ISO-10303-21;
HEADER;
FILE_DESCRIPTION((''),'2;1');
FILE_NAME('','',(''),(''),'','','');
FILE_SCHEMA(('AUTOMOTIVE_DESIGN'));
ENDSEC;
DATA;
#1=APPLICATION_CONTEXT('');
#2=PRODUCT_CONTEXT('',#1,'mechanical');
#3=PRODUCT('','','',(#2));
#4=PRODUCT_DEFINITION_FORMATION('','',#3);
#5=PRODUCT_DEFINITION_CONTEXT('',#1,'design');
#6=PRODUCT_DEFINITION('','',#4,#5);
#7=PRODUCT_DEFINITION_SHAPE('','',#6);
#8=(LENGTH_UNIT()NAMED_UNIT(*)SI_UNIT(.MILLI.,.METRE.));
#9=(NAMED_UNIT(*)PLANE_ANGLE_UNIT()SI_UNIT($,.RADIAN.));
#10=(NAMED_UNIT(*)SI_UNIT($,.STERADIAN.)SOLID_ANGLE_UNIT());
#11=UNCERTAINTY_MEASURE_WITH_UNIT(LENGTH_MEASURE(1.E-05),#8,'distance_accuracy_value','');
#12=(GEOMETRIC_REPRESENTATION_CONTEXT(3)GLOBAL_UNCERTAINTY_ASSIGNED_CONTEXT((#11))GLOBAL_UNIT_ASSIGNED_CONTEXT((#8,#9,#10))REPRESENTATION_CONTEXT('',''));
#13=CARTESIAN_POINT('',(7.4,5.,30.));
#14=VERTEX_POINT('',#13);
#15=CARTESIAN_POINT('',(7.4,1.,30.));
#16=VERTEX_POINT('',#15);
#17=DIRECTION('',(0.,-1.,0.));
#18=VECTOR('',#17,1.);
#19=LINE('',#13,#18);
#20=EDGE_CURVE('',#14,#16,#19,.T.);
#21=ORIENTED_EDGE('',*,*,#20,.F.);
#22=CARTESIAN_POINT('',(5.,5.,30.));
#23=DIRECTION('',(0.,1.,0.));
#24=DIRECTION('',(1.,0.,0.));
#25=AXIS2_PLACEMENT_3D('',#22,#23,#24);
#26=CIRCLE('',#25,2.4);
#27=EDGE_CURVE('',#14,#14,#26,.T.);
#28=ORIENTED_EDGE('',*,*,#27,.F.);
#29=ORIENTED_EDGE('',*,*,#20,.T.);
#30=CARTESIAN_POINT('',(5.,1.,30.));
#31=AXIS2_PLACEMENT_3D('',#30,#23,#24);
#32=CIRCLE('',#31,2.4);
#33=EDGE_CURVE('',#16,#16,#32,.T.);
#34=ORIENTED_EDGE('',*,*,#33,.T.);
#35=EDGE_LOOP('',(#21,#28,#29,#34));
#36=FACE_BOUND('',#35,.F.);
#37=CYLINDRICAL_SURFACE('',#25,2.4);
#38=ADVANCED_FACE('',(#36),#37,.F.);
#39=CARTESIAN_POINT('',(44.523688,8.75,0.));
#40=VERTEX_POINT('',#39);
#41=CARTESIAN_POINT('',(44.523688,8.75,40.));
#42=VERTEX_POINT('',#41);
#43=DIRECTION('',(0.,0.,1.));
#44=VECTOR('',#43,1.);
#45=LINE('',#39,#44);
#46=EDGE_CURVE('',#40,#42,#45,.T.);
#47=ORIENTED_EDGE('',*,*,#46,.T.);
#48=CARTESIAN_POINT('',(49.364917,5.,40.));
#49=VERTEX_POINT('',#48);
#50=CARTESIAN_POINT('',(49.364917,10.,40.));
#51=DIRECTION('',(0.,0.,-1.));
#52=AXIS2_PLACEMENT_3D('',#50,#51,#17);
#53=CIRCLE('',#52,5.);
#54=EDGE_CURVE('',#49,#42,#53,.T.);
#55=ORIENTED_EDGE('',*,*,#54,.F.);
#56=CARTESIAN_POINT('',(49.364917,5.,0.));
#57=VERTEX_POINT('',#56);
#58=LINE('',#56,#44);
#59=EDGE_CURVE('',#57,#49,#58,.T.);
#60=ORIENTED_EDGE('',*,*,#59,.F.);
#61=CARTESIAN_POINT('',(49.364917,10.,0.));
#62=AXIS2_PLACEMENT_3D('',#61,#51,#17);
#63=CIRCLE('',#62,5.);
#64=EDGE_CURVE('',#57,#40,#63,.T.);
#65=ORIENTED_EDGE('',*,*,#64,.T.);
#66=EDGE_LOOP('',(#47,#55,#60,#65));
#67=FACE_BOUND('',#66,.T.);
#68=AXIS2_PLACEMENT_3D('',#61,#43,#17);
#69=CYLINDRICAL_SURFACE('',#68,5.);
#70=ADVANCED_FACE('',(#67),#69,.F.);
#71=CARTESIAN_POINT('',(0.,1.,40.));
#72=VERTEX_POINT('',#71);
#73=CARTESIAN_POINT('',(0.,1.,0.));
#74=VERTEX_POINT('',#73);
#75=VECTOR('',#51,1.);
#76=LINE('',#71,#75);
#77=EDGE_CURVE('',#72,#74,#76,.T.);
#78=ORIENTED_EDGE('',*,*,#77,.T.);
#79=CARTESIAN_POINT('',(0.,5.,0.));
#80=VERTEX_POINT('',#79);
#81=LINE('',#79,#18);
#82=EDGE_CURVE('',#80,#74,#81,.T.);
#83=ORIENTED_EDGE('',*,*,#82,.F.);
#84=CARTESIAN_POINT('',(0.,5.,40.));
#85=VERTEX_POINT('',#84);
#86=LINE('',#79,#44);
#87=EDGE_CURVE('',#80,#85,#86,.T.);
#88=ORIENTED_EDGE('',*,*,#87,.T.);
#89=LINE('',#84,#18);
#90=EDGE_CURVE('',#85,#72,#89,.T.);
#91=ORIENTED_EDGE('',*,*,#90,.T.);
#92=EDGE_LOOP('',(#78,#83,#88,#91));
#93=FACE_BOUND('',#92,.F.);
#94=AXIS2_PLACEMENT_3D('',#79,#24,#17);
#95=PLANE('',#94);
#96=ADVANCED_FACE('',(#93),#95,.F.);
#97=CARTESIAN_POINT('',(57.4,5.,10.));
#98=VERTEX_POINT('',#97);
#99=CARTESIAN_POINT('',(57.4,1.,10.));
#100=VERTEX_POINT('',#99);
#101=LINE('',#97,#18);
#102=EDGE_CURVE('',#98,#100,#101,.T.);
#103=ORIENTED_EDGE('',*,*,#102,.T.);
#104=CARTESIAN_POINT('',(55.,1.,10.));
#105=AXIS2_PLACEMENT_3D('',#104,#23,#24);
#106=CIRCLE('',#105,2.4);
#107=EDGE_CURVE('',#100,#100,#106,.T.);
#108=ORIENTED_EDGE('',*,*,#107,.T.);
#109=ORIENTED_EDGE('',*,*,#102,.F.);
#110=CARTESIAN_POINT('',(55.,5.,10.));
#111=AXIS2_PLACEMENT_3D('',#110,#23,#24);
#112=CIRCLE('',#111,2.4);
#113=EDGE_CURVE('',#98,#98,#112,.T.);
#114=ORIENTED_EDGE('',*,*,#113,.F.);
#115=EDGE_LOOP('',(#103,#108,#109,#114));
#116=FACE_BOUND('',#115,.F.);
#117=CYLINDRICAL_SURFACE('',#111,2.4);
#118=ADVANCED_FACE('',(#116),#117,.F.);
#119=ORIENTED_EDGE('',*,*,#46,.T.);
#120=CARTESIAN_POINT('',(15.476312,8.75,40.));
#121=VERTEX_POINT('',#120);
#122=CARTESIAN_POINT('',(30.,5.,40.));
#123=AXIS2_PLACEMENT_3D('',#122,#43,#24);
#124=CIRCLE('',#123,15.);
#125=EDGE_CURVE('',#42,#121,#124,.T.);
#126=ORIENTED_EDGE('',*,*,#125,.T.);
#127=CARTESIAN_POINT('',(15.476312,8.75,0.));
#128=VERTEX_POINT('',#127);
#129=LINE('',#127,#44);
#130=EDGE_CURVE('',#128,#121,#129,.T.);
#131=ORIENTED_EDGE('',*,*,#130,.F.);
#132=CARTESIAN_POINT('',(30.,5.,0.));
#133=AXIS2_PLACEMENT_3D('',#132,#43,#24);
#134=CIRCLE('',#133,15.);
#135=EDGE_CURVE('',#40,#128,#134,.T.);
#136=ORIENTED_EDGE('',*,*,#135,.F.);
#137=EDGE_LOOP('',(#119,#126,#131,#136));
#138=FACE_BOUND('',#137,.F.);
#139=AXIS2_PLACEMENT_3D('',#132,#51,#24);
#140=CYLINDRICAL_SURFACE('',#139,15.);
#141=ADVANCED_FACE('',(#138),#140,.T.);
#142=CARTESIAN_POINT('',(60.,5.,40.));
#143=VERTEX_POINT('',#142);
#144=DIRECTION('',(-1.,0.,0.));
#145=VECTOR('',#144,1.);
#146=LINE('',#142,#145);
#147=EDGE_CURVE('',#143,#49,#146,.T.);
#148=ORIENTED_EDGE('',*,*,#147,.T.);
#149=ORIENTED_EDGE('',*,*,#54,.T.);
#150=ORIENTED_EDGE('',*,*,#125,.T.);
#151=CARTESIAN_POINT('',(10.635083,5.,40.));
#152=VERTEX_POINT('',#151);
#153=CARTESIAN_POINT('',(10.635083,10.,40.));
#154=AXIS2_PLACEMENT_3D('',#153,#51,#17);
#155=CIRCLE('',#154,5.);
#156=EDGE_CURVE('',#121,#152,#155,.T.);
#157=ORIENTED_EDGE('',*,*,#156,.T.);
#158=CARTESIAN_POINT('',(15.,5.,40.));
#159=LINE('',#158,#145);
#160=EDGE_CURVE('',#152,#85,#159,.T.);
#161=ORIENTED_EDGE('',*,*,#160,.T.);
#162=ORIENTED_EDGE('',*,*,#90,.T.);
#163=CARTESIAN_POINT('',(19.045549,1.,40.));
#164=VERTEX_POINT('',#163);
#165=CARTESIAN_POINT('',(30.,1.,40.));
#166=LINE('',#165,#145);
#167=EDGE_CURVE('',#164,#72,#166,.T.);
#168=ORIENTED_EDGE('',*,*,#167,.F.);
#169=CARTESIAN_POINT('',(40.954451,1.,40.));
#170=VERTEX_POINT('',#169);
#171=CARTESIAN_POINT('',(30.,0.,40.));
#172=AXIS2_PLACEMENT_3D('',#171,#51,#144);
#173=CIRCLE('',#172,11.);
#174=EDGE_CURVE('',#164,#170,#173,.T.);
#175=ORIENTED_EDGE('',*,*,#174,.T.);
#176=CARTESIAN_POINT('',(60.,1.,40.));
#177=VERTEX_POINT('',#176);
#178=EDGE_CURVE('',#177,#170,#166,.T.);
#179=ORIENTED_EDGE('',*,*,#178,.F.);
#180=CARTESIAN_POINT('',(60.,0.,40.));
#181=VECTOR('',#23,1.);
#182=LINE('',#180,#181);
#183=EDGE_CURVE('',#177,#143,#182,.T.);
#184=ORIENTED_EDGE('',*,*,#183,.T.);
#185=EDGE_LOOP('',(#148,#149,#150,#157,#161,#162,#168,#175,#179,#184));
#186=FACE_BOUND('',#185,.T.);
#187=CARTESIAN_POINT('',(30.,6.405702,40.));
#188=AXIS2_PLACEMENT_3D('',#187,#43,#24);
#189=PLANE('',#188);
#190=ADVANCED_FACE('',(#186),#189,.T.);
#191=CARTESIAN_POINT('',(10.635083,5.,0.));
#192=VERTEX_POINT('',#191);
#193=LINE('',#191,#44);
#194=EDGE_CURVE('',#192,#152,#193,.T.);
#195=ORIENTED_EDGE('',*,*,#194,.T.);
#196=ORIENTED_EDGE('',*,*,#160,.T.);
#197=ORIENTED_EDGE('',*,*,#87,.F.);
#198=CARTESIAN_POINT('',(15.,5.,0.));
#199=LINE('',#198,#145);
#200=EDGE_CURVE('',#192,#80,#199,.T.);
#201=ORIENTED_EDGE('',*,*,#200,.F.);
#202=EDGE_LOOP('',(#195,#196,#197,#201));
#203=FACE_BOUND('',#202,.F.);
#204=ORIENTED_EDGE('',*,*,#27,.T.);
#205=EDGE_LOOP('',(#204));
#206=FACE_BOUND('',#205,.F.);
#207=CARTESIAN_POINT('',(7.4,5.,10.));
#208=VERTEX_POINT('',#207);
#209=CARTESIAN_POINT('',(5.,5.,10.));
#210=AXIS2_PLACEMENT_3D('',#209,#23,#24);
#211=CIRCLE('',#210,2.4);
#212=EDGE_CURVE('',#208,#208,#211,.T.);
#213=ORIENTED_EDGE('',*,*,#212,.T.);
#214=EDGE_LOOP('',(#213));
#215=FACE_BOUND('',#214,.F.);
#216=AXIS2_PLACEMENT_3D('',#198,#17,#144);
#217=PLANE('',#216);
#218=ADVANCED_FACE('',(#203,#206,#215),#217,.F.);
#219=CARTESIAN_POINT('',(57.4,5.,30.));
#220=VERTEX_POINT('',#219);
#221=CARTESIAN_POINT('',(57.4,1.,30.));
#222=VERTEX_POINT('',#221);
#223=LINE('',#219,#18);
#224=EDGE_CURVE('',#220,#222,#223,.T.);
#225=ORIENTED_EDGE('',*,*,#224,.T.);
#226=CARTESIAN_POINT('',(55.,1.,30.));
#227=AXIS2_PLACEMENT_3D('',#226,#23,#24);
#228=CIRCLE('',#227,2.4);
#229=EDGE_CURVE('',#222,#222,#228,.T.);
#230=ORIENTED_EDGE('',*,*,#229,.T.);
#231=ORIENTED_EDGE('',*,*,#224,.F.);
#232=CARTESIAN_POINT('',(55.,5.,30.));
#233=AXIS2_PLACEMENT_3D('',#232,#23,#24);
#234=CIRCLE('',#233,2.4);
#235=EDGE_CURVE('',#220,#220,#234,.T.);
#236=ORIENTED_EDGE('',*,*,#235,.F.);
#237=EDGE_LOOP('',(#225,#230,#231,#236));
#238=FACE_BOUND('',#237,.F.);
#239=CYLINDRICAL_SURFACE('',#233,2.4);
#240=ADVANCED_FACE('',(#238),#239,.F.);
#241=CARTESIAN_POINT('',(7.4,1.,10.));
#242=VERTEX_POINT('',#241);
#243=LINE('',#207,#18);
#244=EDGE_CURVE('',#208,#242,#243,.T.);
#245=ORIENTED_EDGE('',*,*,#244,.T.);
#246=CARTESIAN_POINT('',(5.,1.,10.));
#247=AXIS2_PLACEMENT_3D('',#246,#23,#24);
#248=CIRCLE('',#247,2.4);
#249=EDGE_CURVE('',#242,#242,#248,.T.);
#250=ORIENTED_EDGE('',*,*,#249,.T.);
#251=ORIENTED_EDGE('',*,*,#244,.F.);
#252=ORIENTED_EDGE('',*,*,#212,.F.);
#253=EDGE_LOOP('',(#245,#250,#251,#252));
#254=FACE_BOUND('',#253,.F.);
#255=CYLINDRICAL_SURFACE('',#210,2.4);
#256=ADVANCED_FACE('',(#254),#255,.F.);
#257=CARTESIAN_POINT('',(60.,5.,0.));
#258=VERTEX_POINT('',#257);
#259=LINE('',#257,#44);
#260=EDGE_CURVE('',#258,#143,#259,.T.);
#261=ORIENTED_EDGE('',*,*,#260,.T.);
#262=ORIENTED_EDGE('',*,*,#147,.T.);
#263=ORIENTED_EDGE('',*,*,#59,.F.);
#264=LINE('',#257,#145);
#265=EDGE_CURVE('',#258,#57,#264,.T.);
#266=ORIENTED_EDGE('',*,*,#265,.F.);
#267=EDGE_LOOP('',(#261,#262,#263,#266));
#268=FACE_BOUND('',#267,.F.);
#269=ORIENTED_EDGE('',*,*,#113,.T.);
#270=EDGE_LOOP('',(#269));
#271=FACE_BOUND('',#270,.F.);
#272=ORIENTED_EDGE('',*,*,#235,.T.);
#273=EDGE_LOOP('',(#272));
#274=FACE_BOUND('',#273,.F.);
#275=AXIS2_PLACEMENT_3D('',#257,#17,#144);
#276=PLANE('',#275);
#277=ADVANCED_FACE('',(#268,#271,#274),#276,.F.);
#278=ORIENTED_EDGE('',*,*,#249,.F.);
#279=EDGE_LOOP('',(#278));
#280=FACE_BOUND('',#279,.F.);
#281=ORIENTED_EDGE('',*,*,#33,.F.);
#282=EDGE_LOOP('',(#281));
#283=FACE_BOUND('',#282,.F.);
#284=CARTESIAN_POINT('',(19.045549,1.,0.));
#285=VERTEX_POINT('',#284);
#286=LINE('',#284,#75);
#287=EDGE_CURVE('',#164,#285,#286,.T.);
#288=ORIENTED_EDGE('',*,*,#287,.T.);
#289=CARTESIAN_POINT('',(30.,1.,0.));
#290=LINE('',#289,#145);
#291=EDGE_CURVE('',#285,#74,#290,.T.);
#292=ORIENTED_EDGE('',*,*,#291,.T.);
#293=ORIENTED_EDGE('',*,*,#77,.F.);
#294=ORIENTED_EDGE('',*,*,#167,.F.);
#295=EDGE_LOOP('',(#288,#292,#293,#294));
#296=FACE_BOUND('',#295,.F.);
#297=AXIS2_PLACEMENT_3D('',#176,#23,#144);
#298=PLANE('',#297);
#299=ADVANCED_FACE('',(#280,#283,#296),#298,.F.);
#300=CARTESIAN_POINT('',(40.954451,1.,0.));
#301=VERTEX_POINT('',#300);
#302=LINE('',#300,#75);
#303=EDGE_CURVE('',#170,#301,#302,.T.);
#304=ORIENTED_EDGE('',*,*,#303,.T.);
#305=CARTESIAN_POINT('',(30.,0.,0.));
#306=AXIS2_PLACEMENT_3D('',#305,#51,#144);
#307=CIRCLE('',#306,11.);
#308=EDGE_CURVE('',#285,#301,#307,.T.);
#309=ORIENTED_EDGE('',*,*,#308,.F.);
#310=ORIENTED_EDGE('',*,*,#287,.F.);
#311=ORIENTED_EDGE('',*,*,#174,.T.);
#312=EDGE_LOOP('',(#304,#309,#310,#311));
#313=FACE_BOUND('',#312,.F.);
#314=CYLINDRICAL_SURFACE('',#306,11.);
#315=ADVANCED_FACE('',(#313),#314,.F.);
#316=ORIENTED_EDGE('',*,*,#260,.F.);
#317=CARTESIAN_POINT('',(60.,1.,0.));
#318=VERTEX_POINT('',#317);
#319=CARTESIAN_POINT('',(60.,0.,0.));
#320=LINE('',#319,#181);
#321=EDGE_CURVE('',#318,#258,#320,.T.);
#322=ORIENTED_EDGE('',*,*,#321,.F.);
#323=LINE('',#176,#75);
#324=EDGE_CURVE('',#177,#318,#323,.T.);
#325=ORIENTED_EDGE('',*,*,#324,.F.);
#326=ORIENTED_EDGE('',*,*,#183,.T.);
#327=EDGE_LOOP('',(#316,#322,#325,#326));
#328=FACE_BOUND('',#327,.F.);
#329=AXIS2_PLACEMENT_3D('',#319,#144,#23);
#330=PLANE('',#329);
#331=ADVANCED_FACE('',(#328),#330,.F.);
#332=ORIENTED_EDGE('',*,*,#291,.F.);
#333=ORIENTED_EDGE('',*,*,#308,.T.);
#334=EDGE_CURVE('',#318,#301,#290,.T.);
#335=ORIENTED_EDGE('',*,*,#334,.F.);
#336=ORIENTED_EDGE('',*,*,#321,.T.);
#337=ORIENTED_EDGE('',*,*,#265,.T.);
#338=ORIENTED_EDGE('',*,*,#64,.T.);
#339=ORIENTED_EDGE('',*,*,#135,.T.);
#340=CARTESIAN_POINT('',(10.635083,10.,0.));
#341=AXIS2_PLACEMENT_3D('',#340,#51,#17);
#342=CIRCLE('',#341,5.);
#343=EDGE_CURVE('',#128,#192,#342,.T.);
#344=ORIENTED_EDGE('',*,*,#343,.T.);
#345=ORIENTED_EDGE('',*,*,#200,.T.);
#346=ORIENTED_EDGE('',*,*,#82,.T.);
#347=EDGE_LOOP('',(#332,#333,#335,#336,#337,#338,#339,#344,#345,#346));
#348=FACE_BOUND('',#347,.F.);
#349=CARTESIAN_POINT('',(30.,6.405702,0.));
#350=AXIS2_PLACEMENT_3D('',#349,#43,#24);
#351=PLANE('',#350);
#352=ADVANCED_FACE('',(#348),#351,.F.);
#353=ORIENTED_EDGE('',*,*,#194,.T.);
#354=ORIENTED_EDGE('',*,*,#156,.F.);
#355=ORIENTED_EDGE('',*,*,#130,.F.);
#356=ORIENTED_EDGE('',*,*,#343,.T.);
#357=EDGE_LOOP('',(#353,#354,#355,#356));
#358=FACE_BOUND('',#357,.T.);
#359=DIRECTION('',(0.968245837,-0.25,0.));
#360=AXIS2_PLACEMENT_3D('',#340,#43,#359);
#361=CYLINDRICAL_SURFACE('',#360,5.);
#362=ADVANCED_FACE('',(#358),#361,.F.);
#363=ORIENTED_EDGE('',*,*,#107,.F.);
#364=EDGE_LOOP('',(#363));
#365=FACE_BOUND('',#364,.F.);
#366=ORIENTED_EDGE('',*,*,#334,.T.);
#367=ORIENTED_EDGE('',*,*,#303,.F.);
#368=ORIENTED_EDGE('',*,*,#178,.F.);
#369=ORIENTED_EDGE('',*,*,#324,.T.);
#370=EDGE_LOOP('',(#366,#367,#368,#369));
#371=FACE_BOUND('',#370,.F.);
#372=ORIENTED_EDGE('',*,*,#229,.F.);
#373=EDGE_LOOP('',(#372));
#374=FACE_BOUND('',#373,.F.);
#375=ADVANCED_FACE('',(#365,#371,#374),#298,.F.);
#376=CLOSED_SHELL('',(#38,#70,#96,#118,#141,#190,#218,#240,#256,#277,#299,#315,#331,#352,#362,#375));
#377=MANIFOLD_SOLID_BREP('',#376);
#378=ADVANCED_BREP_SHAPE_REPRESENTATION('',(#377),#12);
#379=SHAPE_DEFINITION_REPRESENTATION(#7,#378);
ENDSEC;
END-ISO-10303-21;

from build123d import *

# Parameters (mm, degrees)
MORS_AMOVIBLE_DEPTH     = 40
ESQUISSE2_R             = 2.4
TROU_FIXATION_DEPTH     = 6
CONG_1_R                = 5
ENL_V_START             = -40
ESQUISSE3_W             = 60
ESQUISSE3_H             = 1
ENL_V_MAT_EXTRU_1_DEPTH = 40


with BuildPart() as part:
    # Esquisse1 → mors_amovible (new body)
    with BuildSketch(Plane.XY):
        with BuildLine():
            Line((60, 0), (60, 5))
            Line((60, 5), (45, 5))
            ThreePointArc((45, 5), (30, 20), (15, 5))
            Line((15, 5), (0, 5))
            Line((0, 5), (0, 0))
            Line((0, 0), (19, 0))
            ThreePointArc((19, 0), (30, 11), (41, 0))
            Line((41, 0), (60, 0))
        make_face()
    extrude(amount=MORS_AMOVIBLE_DEPTH)

    # Esquisse2 → trou_fixation (cut, through all)
    with BuildSketch(Plane(origin=(0, 5, 0), x_dir=(1, 0, 0), z_dir=(0, 1, 0))):
        with Locations((5, -10)):
            Circle(ESQUISSE2_R)
        with Locations((55, -10)):
            Circle(ESQUISSE2_R)
        with Locations((55, -30)):
            Circle(ESQUISSE2_R)
        with Locations((5, -30)):
            Circle(ESQUISSE2_R)
    extrude(amount=-TROU_FIXATION_DEPTH, mode=Mode.SUBTRACT)

    # Congé1
    cong_1_edges = [part.edges().sort_by_distance(p)[0] for p in [
        (15, 5, 20),
        (45, 5, 20),
    ]]
    fillet(cong_1_edges, radius=CONG_1_R)

    # Esquisse3 → Enlèv. mat.-Extru.1 (cut)
    with BuildSketch(Plane(origin=(0, 0, 0), x_dir=(-1, 0, 0), z_dir=(0, 0, -1)).offset(ENL_V_START)):
        with Locations((-30, 0.5)):
            Rectangle(ESQUISSE3_W, ESQUISSE3_H)
    extrude(amount=ENL_V_MAT_EXTRU_1_DEPTH, mode=Mode.SUBTRACT)


solid = part.part
